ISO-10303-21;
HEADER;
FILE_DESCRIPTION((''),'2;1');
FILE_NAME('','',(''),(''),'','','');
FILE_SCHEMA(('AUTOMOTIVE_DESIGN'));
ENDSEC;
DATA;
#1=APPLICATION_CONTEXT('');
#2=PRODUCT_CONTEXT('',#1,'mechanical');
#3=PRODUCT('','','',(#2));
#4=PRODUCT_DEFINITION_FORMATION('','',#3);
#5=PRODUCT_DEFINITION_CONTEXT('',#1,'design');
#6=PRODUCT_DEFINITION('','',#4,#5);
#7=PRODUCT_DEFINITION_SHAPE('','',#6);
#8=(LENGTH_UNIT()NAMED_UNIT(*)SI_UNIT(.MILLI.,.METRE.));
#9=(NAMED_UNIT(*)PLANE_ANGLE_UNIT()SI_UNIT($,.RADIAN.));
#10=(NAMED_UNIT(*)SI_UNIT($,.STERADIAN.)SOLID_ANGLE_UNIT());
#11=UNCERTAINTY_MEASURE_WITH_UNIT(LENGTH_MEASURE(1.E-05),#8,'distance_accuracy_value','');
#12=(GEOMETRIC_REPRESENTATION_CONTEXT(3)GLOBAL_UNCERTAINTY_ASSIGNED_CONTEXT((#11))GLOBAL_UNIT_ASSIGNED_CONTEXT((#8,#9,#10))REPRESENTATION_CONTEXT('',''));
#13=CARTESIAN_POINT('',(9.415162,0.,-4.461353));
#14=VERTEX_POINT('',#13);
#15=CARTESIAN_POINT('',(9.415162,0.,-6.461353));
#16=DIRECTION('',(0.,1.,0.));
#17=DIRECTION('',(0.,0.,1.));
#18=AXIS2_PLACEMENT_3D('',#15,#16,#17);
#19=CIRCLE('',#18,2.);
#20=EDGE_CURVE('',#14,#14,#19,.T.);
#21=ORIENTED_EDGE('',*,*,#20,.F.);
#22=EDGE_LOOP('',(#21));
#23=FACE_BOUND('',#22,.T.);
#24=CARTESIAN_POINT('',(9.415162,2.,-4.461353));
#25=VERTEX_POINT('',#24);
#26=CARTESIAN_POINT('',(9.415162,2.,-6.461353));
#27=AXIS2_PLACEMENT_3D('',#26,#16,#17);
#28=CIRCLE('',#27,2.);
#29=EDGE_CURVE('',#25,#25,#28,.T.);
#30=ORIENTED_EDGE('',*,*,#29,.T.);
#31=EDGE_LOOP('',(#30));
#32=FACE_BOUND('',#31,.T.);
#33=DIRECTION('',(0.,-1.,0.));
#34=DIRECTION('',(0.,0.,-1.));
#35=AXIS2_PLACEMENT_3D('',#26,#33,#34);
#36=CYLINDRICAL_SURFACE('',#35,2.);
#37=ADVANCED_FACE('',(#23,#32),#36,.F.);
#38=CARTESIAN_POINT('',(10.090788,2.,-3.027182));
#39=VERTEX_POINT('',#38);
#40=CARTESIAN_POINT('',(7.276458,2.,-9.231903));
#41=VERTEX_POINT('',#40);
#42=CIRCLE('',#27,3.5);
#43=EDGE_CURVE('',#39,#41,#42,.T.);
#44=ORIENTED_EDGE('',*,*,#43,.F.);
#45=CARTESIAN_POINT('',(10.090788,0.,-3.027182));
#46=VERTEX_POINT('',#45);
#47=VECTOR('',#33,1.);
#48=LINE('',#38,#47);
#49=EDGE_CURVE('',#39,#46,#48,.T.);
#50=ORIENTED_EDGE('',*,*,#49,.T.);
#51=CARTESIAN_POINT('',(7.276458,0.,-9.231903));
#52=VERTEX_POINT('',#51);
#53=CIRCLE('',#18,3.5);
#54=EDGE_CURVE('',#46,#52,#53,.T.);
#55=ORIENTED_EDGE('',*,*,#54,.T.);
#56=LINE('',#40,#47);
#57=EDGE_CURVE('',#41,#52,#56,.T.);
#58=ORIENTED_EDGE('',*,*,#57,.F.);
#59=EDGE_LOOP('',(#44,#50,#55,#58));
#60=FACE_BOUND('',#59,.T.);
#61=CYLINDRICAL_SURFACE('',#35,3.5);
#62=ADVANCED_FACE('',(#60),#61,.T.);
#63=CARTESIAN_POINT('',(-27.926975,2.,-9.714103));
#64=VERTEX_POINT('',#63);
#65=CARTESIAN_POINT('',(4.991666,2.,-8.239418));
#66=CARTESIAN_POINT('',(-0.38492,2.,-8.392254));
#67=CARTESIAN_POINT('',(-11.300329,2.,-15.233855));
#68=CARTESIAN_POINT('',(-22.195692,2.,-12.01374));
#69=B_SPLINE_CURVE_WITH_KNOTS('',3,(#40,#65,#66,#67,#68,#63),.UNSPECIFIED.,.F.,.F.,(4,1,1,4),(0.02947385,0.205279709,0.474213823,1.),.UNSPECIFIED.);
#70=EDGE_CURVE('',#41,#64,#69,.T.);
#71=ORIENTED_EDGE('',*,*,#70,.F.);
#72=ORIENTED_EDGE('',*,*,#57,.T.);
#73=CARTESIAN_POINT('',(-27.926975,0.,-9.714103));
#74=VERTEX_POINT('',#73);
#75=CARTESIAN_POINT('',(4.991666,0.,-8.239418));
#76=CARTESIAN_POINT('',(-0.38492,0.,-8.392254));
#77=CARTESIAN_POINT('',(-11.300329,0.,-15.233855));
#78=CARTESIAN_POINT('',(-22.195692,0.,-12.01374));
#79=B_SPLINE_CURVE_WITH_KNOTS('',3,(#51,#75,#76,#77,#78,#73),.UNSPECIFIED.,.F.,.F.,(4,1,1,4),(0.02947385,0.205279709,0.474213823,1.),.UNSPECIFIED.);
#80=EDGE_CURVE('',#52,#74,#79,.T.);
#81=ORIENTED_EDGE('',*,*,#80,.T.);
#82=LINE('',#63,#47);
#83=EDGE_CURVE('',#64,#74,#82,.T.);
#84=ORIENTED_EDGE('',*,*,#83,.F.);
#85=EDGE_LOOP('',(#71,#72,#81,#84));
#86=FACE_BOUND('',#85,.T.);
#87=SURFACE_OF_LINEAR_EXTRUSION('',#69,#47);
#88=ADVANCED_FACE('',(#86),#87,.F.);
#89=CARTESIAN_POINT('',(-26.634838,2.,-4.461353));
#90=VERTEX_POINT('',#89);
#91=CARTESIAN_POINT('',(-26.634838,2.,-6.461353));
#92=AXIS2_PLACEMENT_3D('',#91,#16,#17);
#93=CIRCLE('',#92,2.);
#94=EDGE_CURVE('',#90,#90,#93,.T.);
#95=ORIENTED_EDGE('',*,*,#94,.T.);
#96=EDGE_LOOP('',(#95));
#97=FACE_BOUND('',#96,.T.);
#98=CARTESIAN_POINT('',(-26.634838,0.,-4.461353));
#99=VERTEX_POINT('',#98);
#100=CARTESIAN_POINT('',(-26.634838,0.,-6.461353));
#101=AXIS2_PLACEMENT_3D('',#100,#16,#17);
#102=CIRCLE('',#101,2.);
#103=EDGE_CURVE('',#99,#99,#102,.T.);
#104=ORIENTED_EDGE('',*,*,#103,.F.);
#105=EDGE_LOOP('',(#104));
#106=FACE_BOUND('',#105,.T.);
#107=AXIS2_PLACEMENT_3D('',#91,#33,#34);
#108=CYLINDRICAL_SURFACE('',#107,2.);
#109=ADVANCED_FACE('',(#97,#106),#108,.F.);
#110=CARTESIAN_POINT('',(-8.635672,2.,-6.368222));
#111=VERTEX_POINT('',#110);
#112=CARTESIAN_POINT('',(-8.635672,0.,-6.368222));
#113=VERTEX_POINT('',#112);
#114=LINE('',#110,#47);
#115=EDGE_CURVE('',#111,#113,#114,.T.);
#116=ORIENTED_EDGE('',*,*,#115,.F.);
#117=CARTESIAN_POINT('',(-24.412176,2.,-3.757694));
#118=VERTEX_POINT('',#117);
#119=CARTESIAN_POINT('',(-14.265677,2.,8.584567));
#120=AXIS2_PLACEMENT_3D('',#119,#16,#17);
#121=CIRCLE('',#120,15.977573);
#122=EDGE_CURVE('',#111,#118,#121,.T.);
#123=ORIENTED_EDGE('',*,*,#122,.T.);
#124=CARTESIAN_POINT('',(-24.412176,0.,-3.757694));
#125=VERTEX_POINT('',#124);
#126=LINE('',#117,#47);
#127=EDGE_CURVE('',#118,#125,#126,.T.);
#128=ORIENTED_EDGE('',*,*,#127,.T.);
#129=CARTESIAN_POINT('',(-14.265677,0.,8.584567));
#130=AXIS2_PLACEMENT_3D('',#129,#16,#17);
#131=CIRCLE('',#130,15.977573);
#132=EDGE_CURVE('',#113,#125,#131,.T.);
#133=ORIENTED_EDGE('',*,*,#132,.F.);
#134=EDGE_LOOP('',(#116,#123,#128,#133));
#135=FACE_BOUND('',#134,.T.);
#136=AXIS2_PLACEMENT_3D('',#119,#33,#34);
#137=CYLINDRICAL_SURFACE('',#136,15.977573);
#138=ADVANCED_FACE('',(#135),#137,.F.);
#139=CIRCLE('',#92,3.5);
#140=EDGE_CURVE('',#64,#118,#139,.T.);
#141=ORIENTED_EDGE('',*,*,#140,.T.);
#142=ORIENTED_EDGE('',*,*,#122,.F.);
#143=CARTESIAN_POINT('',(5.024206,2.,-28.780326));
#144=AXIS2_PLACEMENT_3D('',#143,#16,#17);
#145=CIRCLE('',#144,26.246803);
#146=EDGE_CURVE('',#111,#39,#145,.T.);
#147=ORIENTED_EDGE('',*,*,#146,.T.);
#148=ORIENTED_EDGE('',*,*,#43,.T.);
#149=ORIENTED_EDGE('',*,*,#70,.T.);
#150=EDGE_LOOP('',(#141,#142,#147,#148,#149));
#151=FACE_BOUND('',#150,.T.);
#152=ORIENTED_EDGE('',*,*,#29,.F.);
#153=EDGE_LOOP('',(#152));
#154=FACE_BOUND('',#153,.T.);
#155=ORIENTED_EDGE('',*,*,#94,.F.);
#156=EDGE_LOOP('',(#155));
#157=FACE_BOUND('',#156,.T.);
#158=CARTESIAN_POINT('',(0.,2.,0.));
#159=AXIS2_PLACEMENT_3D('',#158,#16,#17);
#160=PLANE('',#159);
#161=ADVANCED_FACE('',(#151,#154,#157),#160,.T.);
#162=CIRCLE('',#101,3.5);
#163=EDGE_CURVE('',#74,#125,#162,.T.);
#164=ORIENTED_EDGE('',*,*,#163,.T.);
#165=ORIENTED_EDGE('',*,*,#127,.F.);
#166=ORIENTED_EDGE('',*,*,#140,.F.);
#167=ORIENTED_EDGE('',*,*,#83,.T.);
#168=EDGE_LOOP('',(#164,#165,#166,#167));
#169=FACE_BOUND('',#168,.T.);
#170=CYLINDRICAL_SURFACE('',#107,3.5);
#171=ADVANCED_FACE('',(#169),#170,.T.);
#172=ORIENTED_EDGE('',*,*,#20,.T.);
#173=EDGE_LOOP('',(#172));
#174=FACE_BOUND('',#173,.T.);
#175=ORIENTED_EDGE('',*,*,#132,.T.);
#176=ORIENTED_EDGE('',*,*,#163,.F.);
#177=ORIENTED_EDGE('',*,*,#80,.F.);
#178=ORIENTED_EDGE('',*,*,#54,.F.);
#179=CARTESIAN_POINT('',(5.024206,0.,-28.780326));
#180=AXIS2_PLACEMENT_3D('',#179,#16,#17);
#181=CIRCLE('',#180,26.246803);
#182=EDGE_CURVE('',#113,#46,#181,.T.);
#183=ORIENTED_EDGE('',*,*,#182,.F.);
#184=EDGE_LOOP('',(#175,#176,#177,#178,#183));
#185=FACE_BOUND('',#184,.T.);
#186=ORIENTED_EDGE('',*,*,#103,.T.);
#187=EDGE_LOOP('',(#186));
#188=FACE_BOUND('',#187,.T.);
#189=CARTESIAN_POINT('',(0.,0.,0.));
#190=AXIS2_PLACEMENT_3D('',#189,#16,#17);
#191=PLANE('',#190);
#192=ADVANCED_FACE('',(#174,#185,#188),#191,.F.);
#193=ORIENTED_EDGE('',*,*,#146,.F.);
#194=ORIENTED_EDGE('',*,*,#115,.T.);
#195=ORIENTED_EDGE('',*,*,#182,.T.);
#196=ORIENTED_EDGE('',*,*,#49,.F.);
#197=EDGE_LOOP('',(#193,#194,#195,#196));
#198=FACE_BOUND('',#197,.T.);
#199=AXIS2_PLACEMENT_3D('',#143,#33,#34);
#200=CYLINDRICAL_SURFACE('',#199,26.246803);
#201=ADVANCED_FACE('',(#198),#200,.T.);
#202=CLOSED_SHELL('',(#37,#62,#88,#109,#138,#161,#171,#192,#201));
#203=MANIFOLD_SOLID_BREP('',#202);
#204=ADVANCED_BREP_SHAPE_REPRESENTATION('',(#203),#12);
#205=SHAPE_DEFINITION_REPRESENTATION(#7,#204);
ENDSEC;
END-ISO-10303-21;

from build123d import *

# Parameters (mm, degrees)
SKETCH2_R           = 2.000000006
BOSS_EXTRUDE1_DEPTH = 2


with BuildPart() as part:
    # Sketch2 → Boss-Extrude1 (new body)
    with BuildSketch(Plane(origin=(0, 0, 0), x_dir=(1, 0, 0), z_dir=(0, 1, 0))):
        with BuildLine():
            ThreePointArc((-27.926975425, 9.714102761), (-29.649166118, 4.682637411), (-24.412176183, 3.757693749))
            ThreePointArc((-24.412176183, 3.757693749), (-16.874008703, 7.178664325), (-8.63567196, 6.368222256))
            ThreePointArc((-8.63567196, 6.368222256), (0.414236301, 2.94154028), (10.090788082, 3.027182087))
            ThreePointArc((10.090788082, 3.027182087), (12.602603797, 7.907109409), (7.276457736, 9.231902599))
            add(Edge.make_bspline(
                [(7.276457736, 9.231902599), (4.991666248, 8.239417516), (-0.384919766, 8.392254408), (-11.300329238, 15.23385505), (-22.195691788, 12.013740113), (-27.926975425, 9.714102761)],
                knots=[0.02947385, 0.02947385, 0.02947385, 0.02947385, 0.205279709, 0.474213823, 1, 1, 1, 1], degree=3))
        make_face()
        with Locations(Location((-26.634838433, 6.461352848, 0), (0, 0, 270))):
            Circle(SKETCH2_R, mode=Mode.SUBTRACT)
        with Locations(Location((9.415161567, 6.461352848, 0), (0, 0, 270))):
            Circle(SKETCH2_R, mode=Mode.SUBTRACT)
    extrude(amount=BOSS_EXTRUDE1_DEPTH)


solid = part.part
